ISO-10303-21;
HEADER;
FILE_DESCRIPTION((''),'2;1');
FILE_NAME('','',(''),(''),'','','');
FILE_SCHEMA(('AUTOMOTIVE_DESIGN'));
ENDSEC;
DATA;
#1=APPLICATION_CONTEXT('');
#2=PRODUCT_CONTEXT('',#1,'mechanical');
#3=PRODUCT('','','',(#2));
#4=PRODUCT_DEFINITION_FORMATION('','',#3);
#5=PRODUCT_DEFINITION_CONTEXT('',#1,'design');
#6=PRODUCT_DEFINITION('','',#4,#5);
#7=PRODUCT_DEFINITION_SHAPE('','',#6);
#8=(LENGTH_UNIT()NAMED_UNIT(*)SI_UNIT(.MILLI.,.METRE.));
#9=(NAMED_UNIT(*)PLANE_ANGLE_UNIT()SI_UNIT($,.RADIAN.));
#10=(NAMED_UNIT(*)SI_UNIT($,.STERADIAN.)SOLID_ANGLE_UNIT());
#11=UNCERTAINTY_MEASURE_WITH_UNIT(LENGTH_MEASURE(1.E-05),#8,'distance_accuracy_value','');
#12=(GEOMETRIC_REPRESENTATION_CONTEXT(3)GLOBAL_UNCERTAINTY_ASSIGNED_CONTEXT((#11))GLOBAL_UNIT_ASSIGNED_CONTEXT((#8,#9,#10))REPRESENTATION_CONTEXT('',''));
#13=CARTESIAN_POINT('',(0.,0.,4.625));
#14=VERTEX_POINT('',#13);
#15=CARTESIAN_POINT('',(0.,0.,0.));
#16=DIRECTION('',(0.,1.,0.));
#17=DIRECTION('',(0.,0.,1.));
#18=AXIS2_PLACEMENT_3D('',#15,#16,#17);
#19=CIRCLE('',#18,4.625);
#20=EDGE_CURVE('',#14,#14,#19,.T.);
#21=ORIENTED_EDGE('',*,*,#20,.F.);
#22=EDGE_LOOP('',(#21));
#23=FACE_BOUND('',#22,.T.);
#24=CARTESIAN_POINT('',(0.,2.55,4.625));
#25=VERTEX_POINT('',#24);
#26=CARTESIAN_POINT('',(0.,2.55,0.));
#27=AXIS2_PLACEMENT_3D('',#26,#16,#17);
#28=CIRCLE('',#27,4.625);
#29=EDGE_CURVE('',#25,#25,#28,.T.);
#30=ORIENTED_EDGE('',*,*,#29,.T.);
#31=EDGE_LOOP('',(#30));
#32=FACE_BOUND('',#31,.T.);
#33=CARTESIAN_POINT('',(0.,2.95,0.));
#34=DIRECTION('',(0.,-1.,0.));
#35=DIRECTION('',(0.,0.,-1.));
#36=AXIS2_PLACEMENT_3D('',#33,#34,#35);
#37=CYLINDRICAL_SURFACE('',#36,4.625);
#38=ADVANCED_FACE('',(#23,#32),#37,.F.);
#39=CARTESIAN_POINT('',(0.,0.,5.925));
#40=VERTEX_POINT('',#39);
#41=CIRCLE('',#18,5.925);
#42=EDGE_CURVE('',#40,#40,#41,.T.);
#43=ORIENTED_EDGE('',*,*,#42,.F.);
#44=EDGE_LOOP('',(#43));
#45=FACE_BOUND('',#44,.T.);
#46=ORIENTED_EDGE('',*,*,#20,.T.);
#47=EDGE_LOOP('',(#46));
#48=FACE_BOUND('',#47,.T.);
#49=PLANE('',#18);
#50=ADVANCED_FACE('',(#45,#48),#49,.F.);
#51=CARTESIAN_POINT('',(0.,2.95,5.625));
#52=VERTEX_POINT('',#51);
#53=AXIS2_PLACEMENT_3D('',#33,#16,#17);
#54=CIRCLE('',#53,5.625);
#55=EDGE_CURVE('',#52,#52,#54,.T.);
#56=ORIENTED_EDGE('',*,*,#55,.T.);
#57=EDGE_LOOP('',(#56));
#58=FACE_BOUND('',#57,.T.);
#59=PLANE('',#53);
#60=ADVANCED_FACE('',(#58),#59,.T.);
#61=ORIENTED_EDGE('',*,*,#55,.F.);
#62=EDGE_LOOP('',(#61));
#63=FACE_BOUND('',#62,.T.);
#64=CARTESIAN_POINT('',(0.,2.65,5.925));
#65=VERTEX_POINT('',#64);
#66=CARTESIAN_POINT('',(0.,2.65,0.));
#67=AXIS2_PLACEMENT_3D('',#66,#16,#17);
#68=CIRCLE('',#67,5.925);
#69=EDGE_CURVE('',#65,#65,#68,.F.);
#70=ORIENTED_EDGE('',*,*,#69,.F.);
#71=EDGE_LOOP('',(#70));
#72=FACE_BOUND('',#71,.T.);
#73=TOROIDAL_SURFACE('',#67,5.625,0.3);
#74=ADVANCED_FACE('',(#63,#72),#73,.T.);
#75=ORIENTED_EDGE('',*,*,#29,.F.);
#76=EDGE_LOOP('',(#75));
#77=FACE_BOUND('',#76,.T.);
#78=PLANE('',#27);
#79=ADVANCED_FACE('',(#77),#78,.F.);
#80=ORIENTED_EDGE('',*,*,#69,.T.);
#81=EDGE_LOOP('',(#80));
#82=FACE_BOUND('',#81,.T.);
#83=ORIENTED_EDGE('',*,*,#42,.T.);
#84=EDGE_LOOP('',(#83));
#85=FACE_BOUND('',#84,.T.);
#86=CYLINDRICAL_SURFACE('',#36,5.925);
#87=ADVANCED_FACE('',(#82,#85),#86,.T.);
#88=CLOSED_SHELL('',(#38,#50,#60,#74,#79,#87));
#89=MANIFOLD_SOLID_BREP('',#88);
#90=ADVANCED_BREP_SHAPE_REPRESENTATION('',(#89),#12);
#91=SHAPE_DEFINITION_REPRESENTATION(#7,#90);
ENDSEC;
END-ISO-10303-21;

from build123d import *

# Parameters (mm, degrees)
SKETCH1_R           = 5.925
SKETCH1_R_2         = 4.625
BOSS_EXTRUDE1_DEPTH = 2.95
BOSS_EXTRUDE2_START = -0.4
SKETCH2_R           = 5.925
BOSS_EXTRUDE2_DEPTH = 0.4
FILLET1_R           = 0.3


with BuildPart() as part:
    # Sketch1 → Boss-Extrude1 (new body)
    with BuildSketch(Plane(origin=(0, 0, 0), x_dir=(1, 0, 0), z_dir=(0, 1, 0))):
        with Locations(Location((0, 0, 0), (0, 0, 270))):
            Circle(SKETCH1_R)
        with Locations(Location((0, 0, 0), (0, 0, 270))):
            Circle(SKETCH1_R_2, mode=Mode.SUBTRACT)
    extrude(amount=BOSS_EXTRUDE1_DEPTH)

    # Sketch2 → Boss-Extrude2 (add)
    with BuildSketch(Plane(origin=(0, 2.95, 0), x_dir=(1, 0, 0), z_dir=(0, 1, 0)).offset(BOSS_EXTRUDE2_START)):
        with Locations(Location((0, 0, 0), (0, 0, 270))):
            Circle(SKETCH2_R)
    extrude(amount=BOSS_EXTRUDE2_DEPTH)

    # Fillet1
    fillet1_edges = [part.edges().sort_by_distance(p)[0] for p in [
        (0, 2.95, -5.925),
    ]]
    fillet(fillet1_edges, radius=FILLET1_R)


solid = part.part
